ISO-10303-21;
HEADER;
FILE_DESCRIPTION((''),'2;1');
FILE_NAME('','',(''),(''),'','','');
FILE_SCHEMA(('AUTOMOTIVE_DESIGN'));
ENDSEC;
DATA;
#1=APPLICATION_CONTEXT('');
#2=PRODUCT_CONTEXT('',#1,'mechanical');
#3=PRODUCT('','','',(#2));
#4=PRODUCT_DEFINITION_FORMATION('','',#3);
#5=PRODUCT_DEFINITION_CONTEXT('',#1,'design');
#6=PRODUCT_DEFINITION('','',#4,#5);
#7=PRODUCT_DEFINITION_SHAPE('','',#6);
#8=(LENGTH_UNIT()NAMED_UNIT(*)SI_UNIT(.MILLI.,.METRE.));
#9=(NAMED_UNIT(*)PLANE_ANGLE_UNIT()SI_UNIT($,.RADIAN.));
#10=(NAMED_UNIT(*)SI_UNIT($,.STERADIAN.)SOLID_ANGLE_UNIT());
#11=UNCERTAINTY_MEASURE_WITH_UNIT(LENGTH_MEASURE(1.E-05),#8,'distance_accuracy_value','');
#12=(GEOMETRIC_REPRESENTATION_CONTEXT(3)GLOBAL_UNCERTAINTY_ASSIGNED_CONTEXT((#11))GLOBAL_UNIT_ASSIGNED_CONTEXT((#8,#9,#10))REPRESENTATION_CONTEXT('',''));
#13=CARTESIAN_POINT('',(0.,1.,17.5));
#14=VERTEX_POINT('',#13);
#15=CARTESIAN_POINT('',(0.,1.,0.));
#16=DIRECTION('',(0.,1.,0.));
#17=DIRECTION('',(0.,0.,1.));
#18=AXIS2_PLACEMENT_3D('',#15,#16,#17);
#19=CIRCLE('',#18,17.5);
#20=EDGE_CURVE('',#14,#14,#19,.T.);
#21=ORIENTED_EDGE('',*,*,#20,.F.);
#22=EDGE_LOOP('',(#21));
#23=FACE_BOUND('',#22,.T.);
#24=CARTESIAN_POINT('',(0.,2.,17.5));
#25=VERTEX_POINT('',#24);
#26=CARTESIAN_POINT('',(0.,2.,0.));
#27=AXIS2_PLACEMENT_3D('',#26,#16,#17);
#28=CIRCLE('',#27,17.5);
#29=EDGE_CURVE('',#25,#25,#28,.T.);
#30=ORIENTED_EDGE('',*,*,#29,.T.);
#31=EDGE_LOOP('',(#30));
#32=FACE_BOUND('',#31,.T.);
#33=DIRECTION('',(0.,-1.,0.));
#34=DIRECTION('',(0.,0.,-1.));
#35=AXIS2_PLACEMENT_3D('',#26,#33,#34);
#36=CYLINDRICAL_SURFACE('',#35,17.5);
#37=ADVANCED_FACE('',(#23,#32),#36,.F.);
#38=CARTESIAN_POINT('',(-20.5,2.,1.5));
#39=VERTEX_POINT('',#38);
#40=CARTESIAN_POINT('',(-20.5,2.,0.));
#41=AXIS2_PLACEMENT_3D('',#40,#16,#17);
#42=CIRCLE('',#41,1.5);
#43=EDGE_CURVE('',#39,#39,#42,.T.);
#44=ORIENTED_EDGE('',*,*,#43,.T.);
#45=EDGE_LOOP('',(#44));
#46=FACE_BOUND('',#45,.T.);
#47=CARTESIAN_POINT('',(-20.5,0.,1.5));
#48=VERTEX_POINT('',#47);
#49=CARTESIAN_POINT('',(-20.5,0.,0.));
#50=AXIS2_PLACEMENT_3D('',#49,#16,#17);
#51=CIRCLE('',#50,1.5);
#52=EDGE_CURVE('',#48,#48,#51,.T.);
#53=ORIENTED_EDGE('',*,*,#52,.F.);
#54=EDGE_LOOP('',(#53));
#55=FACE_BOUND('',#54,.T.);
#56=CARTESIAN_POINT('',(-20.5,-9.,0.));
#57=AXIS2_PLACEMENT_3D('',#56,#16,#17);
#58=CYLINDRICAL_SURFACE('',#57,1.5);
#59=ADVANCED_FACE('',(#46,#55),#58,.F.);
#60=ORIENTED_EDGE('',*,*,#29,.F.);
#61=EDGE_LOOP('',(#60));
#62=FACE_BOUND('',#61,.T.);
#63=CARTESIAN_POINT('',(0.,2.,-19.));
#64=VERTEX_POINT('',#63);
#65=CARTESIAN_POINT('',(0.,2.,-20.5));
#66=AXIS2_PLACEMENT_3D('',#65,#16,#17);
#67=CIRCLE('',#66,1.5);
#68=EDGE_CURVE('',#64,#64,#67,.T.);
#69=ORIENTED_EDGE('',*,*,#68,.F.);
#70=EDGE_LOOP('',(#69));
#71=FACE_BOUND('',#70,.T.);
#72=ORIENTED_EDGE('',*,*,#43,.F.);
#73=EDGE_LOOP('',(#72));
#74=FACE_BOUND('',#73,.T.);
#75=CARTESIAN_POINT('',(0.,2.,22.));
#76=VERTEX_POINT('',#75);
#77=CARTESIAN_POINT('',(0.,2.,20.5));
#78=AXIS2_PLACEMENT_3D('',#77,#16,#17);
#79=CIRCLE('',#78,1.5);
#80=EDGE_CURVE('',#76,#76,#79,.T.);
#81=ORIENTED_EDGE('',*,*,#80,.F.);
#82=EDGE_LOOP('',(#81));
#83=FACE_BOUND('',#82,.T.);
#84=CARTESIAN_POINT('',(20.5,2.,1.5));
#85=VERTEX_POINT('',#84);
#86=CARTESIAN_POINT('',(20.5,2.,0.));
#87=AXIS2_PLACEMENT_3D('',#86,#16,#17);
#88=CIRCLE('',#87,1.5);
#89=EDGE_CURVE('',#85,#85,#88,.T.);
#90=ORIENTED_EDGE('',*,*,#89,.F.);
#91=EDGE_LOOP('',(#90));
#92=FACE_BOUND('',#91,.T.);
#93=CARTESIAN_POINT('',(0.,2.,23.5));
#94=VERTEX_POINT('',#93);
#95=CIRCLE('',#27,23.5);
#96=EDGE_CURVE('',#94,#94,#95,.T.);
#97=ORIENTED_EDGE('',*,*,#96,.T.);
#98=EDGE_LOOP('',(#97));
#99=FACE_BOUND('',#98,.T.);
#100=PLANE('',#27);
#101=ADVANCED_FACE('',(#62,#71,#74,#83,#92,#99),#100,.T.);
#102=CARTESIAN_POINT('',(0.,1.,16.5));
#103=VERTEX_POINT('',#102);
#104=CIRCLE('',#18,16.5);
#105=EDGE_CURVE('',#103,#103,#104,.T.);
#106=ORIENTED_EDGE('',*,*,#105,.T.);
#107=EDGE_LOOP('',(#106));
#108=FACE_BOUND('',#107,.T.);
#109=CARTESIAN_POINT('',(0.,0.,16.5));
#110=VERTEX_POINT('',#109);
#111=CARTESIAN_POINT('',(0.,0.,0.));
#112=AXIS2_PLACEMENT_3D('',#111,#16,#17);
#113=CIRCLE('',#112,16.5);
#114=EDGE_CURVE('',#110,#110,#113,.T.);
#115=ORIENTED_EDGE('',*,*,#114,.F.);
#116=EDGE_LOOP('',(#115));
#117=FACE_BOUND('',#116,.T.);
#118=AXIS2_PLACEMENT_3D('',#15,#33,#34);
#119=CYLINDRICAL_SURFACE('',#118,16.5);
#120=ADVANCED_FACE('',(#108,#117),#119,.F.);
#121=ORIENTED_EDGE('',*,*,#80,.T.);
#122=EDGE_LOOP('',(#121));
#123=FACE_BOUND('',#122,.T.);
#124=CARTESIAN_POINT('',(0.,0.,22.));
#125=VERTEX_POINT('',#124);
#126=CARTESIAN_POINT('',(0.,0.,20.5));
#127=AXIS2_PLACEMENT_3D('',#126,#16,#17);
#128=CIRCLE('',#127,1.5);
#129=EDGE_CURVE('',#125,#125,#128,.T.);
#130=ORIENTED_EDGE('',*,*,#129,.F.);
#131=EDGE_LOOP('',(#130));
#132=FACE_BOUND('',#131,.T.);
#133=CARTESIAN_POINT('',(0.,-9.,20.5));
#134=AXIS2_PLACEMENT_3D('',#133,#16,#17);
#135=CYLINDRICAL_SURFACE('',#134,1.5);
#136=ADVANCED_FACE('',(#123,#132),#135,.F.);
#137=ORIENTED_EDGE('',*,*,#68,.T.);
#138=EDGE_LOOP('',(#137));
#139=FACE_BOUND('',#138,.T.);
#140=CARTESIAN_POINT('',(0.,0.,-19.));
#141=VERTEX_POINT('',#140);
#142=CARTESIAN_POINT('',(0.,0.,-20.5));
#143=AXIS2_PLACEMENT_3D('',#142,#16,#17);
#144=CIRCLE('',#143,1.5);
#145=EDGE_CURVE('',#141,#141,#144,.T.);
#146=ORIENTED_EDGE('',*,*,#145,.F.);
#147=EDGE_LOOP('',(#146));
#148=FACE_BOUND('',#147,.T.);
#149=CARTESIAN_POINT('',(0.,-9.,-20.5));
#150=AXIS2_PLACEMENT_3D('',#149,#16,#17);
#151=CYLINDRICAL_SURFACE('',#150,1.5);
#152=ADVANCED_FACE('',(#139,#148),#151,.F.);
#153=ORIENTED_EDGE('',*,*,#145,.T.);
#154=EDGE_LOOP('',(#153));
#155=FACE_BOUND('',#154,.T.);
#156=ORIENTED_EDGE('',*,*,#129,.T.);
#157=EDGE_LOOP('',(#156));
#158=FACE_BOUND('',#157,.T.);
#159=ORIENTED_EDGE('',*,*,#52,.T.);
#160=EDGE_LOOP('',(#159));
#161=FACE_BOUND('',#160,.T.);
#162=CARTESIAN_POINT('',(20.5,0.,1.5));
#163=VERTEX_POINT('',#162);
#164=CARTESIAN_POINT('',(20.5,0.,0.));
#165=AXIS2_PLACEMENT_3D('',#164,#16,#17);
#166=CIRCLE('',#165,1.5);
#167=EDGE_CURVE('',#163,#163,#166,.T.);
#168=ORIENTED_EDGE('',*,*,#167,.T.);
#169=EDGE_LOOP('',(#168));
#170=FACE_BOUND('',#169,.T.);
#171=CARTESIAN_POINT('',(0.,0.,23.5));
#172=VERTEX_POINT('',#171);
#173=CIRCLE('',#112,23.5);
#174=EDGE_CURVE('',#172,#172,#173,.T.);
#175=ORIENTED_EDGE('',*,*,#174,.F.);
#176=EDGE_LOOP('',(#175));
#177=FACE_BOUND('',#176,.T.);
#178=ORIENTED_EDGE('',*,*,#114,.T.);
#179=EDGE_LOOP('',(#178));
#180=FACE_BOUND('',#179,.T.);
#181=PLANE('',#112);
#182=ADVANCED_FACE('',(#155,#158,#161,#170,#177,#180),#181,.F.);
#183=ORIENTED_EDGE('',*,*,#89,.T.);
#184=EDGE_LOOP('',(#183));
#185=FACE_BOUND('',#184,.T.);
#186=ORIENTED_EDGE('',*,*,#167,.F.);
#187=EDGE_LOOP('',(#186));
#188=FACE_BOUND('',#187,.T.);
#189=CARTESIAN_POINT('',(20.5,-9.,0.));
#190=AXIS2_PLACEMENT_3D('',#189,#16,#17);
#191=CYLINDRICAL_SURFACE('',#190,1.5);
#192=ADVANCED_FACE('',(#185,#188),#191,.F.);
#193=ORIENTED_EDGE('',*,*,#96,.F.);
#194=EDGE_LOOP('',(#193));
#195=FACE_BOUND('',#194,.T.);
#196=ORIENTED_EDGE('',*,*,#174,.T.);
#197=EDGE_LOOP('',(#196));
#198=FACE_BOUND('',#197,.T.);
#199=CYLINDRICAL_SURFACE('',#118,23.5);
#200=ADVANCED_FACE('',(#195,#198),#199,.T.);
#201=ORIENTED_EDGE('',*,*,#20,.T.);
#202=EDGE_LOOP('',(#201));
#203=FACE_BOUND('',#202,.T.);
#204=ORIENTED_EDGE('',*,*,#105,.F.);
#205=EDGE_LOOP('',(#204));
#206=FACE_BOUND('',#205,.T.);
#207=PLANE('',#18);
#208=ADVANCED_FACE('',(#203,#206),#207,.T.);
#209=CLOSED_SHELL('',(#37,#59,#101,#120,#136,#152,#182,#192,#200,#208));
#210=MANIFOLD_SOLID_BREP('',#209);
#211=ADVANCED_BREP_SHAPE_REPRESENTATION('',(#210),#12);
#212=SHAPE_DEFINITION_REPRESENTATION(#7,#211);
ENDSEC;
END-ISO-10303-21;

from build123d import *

# Parameters (mm, degrees)
SKETCH_1_R          = 23.5
SKETCH_1_R_2        = 17.5
SKETCH_1_R_3        = 16.5
EXTRUDE_1_DEPTH     = 1
SKETCH_2_R          = 23.5
SKETCH_2_R_2        = 17.5
EXTRUDE_2_DEPTH     = 1
SKETCH_3_R          = 1.5
CUT_EXTRUDE_1_DEPTH = 11


with BuildPart() as part:
    # 草图1 → 凸台-拉伸1 (new body)
    # profile 1 of 2: a face of its own
    with BuildSketch(Plane(origin=(0, 0, 0), x_dir=(1, 0, 0), z_dir=(0, 1, 0))):
        with Locations(Location((0, 0, 0), (0, 0, 270))):
            Circle(SKETCH_1_R)
        Circle(SKETCH_1_R_2, mode=Mode.SUBTRACT)
    # profile 2 of 2: a face of its own
    with BuildSketch(Plane(origin=(0, 0, 0), x_dir=(1, 0, 0), z_dir=(0, 1, 0))):
        Circle(SKETCH_1_R_2)
        with Locations(Location((0, 0, 0), (0, 0, 270))):
            Circle(SKETCH_1_R_3, mode=Mode.SUBTRACT)
    extrude(amount=EXTRUDE_1_DEPTH)

    # 草图2 → 凸台-拉伸2 (add)
    with BuildSketch(Plane(origin=(0, 1, 0), x_dir=(1, 0, 0), z_dir=(0, 1, 0))):
        with Locations(Location((0, 0, 0), (0, 0, 270))):
            Circle(SKETCH_2_R)
        with Locations(Location((0, 0, 0), (0, 0, 270))):
            Circle(SKETCH_2_R_2, mode=Mode.SUBTRACT)
    extrude(amount=EXTRUDE_2_DEPTH)

    # 草图3 → 切除-拉伸1 (cut)
    with BuildSketch(Plane(origin=(0, 2, 0), x_dir=(1, 0, 0), z_dir=(0, 1, 0))):
        with Locations(Location((0, 20.5, 0), (0, 0, 270))):
            Circle(SKETCH_3_R)
        with Locations(Location((20.5, 0, 0), (0, 0, 270))):
            Circle(SKETCH_3_R)
        with Locations(Location((0, -20.5, 0), (0, 0, 270))):
            Circle(SKETCH_3_R)
        with Locations(Location((-20.5, 0, 0), (0, 0, 270))):
            Circle(SKETCH_3_R)
    extrude(amount=-CUT_EXTRUDE_1_DEPTH, mode=Mode.SUBTRACT)


solid = part.part
